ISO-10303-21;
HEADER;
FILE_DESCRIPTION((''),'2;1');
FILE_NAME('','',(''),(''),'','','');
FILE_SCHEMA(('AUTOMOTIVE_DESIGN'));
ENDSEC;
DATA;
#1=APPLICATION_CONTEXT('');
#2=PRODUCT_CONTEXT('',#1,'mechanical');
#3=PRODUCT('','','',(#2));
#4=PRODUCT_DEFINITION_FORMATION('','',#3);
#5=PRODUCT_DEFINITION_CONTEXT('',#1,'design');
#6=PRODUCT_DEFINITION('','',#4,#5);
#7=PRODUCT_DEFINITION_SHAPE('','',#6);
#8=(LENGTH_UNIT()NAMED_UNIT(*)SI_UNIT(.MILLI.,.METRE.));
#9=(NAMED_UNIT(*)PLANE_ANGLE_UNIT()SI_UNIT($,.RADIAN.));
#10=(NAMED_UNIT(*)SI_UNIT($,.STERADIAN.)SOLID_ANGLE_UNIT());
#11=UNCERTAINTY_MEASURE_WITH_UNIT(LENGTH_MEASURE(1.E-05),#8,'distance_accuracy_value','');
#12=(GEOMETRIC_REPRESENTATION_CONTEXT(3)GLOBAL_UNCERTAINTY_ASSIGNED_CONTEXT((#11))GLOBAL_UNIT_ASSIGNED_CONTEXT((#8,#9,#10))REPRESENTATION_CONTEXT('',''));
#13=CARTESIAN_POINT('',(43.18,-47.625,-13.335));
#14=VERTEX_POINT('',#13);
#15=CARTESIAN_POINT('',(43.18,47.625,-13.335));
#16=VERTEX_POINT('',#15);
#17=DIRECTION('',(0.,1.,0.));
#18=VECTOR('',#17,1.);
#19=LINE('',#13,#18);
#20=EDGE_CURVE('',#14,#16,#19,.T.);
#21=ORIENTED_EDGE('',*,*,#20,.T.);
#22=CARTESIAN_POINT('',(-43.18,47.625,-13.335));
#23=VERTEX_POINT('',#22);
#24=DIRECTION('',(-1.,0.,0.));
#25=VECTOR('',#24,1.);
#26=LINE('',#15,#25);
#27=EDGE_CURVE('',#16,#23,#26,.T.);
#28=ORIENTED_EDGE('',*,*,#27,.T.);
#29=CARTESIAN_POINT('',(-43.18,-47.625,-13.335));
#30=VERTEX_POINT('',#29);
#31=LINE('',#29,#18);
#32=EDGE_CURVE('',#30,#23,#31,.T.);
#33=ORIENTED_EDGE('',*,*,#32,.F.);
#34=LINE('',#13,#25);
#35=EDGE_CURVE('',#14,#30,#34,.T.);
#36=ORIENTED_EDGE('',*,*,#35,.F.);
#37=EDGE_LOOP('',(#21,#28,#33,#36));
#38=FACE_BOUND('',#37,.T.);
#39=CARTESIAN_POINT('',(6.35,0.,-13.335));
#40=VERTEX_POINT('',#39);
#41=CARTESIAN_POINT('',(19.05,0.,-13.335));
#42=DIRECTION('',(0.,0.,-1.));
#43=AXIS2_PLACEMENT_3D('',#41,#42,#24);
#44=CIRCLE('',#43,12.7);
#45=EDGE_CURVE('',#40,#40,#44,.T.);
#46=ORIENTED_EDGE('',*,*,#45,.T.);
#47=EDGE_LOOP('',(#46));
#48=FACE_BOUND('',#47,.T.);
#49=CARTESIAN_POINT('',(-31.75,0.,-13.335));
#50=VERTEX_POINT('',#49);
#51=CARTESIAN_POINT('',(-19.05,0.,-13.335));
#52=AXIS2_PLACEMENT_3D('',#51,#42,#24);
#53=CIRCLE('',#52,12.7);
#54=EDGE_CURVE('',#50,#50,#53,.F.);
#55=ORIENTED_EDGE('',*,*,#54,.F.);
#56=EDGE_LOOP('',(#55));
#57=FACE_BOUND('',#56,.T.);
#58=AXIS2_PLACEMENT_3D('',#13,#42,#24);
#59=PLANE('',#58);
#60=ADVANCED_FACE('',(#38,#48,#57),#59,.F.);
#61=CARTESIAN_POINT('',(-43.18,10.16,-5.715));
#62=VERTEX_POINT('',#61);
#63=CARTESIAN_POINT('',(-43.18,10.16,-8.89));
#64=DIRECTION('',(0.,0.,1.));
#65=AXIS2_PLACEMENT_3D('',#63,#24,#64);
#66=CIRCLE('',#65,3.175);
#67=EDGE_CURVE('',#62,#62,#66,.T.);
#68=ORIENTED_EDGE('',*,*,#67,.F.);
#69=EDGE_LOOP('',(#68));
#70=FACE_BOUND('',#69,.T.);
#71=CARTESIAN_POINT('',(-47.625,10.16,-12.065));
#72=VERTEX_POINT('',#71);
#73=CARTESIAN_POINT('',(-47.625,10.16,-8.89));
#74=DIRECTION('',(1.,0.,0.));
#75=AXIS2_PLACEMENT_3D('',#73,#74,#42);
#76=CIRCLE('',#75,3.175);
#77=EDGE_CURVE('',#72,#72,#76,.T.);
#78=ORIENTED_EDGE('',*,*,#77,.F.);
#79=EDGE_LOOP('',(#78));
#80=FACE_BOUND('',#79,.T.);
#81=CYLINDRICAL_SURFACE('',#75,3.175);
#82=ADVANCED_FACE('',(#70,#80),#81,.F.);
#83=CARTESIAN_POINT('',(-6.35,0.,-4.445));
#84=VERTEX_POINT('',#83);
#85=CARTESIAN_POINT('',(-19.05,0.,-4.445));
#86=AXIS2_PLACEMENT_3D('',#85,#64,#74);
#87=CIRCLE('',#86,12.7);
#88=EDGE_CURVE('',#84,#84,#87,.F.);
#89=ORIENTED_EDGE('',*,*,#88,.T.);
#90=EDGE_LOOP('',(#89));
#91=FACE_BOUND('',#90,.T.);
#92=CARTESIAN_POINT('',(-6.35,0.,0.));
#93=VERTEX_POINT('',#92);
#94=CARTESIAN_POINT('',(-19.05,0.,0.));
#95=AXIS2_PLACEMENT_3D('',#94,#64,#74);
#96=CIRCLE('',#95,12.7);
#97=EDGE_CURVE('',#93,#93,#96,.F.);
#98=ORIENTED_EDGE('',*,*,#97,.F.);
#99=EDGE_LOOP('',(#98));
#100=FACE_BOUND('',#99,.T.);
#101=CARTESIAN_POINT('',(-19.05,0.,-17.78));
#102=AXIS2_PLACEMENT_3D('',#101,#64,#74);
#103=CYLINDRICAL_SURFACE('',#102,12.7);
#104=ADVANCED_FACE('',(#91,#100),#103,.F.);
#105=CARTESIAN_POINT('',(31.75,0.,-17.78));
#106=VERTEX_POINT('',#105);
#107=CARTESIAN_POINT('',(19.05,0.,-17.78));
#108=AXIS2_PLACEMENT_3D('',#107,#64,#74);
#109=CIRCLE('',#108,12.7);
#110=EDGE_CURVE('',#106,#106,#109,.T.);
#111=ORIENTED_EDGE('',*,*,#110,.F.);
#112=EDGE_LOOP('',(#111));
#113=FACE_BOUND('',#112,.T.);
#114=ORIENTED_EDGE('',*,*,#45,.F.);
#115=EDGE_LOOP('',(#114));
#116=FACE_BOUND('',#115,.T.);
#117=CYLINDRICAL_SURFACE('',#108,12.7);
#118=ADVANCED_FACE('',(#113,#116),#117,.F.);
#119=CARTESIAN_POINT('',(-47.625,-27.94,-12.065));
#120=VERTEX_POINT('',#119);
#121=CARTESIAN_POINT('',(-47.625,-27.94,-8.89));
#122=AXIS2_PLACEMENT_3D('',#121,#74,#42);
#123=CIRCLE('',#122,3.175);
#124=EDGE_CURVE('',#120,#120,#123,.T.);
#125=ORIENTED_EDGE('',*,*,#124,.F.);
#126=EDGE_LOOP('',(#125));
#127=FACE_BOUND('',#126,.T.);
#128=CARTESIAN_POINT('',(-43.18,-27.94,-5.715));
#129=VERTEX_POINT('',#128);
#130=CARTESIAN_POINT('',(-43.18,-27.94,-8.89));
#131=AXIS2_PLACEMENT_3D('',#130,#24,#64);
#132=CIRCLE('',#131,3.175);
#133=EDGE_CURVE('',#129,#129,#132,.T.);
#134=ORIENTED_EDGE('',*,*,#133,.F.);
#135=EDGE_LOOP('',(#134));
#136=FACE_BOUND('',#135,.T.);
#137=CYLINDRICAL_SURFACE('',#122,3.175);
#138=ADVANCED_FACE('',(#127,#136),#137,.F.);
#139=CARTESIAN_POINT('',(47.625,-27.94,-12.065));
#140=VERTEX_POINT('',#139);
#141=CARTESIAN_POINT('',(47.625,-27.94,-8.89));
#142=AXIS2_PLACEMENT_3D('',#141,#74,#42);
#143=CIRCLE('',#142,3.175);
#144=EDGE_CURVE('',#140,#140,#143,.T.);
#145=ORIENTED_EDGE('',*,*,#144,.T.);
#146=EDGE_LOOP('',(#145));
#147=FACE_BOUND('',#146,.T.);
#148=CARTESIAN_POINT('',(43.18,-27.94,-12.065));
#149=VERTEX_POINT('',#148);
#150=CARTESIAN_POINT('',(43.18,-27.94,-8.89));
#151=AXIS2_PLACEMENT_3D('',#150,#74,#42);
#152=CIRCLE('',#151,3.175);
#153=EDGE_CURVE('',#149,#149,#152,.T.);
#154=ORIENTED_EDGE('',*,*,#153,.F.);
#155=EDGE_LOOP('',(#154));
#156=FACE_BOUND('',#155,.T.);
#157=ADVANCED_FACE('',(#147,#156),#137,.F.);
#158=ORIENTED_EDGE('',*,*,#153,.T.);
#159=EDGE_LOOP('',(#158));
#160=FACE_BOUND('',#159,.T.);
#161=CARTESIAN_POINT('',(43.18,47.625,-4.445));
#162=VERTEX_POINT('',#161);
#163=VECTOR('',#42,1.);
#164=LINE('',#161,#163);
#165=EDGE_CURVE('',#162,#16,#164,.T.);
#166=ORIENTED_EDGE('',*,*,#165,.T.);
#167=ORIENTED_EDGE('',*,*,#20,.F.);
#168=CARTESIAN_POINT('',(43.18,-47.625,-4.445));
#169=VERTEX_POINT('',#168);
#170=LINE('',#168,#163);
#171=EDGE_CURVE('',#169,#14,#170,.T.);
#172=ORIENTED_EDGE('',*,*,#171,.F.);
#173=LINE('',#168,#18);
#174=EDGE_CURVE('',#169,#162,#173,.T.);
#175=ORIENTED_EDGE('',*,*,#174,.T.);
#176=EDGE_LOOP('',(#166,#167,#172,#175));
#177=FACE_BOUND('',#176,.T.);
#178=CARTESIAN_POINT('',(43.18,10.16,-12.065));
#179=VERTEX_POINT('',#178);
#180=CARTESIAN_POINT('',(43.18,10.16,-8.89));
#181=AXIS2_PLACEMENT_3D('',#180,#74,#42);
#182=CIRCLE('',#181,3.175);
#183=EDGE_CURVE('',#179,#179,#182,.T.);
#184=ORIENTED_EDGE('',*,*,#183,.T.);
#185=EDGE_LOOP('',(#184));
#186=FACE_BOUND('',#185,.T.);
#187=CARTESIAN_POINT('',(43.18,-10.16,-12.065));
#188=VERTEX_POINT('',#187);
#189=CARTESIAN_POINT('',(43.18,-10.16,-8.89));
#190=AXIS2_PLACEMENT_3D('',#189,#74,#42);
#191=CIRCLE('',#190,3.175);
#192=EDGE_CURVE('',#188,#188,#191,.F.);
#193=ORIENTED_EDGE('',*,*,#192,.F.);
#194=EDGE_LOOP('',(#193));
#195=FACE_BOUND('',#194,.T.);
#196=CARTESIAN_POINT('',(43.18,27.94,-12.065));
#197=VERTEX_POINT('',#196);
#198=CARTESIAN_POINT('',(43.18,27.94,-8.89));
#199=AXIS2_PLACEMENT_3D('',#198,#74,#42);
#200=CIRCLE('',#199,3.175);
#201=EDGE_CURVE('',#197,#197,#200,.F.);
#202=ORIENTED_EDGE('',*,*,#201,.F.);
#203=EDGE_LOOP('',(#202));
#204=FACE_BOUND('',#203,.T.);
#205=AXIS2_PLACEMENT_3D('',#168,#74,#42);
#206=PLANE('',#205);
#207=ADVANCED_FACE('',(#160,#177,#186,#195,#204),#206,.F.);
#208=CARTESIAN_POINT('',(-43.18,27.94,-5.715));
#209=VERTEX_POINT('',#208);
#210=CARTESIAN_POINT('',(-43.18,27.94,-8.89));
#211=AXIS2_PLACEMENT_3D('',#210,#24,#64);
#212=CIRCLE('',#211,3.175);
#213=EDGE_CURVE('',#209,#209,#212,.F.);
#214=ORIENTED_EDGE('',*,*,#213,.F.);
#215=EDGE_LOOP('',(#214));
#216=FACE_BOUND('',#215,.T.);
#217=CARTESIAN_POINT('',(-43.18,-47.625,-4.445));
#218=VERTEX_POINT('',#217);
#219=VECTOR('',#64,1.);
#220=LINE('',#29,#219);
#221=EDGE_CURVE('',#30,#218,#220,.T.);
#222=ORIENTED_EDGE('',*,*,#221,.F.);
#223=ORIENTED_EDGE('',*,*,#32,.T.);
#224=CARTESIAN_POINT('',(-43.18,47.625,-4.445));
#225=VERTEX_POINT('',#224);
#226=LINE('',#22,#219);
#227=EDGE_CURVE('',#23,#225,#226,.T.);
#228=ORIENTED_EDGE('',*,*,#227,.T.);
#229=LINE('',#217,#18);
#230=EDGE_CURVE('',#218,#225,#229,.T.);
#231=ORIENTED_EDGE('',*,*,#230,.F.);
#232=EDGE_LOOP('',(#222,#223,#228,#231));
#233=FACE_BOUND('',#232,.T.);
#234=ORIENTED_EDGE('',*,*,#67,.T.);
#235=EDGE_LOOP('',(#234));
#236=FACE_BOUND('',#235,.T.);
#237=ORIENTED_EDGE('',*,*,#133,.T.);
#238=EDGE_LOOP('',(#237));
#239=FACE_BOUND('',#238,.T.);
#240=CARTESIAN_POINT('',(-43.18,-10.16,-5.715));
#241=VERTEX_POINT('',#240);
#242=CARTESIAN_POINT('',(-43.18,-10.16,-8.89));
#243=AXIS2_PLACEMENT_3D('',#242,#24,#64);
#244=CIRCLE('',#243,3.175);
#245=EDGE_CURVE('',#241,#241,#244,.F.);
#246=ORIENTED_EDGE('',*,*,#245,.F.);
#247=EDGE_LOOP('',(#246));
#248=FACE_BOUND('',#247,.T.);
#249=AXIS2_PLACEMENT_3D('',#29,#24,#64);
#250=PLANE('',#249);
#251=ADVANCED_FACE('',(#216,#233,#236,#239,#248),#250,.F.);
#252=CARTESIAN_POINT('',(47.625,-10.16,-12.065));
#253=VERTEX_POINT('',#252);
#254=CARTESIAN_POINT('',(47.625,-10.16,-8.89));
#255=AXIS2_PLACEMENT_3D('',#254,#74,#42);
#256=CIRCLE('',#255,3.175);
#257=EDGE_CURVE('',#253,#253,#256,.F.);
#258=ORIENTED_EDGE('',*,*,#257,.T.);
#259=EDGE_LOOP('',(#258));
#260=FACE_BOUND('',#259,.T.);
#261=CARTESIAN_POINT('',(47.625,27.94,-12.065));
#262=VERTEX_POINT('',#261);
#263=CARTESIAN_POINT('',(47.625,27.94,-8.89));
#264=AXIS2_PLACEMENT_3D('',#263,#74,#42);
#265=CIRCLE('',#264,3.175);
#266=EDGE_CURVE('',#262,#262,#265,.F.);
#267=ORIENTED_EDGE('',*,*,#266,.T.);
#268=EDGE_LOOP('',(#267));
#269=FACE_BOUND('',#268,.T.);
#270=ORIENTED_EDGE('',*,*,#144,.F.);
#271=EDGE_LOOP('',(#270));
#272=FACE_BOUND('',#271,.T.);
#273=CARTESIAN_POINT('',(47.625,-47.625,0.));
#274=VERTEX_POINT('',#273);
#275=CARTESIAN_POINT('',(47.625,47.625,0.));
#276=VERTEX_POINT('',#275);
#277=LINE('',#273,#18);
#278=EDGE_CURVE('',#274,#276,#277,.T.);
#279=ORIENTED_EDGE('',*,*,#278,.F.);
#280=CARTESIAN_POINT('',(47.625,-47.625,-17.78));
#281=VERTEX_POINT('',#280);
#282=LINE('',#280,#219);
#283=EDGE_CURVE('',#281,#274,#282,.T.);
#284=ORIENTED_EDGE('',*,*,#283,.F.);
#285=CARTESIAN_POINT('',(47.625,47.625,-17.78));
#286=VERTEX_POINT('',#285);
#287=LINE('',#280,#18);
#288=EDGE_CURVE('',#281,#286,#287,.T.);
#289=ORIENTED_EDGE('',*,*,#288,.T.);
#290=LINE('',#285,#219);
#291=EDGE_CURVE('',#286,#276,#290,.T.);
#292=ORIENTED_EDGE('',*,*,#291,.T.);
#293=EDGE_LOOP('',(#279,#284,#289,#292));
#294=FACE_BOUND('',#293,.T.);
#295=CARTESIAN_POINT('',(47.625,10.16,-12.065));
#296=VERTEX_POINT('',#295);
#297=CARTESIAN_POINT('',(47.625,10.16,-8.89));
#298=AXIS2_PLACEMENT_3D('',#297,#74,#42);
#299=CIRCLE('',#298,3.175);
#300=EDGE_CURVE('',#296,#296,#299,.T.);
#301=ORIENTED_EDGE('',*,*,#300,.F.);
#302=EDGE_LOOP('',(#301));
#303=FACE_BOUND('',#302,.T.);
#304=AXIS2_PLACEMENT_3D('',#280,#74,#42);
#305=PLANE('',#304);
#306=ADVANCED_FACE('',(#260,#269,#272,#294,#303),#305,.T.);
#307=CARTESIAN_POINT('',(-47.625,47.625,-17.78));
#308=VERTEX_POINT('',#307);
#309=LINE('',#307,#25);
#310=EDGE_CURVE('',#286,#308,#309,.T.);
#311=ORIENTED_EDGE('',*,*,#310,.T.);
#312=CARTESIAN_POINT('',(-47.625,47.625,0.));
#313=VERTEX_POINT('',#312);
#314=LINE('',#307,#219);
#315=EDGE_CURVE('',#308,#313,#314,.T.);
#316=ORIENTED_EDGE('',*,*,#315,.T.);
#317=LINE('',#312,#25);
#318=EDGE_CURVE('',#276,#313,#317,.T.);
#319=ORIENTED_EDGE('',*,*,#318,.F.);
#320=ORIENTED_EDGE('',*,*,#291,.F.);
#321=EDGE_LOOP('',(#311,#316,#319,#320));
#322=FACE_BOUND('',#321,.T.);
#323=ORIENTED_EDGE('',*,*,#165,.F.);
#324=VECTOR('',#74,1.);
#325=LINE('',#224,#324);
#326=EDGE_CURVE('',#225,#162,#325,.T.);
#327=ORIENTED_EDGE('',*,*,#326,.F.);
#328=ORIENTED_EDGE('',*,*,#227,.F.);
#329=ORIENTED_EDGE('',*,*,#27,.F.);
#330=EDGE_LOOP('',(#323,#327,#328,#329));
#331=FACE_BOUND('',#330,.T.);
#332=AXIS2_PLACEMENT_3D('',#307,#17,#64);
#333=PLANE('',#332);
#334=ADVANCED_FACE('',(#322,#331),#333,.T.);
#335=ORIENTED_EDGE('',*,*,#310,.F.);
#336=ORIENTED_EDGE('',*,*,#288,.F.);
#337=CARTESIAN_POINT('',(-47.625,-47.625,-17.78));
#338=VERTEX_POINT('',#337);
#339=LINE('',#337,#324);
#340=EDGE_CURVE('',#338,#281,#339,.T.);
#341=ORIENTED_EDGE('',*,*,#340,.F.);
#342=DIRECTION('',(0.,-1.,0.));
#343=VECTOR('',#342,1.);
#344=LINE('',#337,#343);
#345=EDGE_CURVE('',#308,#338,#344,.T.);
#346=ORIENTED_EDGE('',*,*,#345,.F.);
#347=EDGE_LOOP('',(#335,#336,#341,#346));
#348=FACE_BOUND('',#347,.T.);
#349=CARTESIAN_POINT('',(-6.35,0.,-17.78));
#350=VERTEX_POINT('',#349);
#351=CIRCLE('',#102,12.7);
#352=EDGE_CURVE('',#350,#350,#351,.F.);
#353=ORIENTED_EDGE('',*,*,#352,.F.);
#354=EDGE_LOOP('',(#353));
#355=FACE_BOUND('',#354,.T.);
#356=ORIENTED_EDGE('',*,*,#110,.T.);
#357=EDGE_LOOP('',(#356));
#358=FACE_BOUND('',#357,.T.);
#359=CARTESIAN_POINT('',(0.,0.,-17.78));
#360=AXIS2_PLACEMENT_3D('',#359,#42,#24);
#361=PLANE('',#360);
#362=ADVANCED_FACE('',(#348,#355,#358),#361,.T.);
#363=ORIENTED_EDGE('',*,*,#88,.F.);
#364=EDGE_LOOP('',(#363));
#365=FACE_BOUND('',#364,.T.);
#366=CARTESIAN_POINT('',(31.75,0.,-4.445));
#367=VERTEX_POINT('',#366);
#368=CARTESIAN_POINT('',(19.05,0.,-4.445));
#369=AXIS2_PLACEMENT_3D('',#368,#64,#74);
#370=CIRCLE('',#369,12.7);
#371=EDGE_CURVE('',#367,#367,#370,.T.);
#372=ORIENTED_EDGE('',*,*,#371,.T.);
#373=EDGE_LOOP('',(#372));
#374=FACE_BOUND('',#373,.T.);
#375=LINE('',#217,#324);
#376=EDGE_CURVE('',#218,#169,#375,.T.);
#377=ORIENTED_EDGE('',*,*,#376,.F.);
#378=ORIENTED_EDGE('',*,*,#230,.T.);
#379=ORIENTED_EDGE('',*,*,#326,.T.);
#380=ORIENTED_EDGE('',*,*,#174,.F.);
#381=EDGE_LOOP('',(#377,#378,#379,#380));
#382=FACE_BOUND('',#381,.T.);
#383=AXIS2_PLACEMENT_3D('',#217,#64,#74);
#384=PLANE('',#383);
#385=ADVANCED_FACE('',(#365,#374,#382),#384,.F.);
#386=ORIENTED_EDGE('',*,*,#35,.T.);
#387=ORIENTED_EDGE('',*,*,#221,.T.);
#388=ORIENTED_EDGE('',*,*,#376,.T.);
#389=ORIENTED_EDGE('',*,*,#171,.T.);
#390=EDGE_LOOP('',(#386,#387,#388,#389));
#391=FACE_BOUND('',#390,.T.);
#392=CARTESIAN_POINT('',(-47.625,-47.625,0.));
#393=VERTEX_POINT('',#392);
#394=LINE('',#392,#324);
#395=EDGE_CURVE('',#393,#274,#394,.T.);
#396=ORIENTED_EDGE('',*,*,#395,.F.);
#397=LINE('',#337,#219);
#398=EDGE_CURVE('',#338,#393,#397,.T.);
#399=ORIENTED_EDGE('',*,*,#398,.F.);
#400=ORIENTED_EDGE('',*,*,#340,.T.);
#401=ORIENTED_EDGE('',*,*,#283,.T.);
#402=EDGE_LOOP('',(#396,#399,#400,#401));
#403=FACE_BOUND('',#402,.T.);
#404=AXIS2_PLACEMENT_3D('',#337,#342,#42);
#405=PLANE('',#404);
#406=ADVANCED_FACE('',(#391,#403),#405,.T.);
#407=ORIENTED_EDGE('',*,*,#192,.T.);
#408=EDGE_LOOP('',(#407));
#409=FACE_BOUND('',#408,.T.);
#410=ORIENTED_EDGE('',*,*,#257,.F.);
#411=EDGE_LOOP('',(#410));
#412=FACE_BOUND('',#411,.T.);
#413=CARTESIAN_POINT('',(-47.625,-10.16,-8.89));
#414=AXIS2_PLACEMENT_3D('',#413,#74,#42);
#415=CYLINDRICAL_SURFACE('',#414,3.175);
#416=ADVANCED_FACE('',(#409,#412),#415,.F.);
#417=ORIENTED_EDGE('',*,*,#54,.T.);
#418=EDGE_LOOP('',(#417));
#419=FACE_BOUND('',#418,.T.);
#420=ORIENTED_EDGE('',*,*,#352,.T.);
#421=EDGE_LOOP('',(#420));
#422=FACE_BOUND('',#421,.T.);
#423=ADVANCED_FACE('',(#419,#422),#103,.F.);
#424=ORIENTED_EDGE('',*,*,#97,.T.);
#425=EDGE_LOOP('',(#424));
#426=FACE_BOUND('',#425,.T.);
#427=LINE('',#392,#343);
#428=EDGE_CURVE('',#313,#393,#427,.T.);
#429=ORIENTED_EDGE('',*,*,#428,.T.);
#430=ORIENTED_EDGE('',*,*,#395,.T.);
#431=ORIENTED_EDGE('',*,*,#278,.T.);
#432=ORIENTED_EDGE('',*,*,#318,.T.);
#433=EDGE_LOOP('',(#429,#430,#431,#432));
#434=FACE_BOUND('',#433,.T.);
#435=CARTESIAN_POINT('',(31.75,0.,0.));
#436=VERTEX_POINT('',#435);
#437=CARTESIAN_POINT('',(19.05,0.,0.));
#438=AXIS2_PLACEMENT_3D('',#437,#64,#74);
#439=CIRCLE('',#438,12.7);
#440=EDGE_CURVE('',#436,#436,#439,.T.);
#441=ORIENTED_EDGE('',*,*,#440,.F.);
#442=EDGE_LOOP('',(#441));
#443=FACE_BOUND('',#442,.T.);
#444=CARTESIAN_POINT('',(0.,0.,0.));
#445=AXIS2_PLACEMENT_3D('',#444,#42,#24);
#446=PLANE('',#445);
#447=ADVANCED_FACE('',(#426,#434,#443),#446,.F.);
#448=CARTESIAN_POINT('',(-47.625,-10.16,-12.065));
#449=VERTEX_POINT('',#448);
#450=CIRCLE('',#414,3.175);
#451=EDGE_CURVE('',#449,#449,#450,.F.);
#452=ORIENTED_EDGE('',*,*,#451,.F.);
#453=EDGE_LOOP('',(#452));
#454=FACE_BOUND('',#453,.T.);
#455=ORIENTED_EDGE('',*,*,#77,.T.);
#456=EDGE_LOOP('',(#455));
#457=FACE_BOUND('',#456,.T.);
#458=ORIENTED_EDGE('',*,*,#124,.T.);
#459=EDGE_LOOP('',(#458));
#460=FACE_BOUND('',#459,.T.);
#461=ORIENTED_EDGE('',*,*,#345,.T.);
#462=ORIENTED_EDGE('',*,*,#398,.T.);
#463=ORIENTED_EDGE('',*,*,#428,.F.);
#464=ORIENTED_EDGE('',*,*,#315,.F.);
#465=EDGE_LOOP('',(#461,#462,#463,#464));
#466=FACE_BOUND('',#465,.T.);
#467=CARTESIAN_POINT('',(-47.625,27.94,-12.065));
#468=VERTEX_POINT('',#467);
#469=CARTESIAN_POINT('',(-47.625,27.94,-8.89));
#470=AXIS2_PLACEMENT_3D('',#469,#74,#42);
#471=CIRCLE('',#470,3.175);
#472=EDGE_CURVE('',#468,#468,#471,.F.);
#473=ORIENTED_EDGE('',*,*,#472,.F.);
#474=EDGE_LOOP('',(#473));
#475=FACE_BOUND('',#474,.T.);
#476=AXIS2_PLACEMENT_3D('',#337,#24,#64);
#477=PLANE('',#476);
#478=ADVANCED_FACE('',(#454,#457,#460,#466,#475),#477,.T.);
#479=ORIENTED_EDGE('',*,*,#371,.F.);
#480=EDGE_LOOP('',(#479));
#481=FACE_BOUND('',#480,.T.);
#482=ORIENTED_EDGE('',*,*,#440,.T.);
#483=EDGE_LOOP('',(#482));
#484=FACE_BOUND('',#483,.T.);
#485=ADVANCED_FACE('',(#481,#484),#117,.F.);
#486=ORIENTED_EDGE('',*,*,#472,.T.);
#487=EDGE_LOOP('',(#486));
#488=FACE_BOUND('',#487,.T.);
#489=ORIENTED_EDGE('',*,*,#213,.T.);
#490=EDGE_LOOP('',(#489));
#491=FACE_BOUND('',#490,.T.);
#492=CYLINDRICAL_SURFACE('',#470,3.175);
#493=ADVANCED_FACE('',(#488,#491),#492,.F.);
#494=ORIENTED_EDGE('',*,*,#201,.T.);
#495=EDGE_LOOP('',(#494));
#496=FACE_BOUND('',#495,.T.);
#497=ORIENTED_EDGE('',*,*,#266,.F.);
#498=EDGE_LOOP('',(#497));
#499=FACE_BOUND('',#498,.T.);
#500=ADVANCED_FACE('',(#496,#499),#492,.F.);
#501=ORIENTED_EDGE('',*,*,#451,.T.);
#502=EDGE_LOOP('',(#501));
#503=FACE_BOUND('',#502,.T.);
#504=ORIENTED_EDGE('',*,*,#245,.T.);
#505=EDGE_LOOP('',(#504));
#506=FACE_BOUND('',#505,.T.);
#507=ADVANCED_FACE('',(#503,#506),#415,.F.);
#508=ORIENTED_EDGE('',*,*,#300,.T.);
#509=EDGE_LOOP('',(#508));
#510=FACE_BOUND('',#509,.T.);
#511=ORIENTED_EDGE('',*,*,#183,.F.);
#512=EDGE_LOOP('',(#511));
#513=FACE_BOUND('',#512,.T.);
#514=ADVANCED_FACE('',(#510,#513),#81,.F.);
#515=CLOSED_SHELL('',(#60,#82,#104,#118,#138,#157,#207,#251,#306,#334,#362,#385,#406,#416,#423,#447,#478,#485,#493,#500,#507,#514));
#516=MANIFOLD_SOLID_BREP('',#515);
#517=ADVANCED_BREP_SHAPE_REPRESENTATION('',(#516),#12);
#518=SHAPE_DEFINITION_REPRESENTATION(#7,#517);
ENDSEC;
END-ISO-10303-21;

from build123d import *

# Parameters (mm, degrees)
SKETCH1_W           = 95.25
SKETCH1_H           = 95.25
BOSS_EXTRUDE1_DEPTH = 17.78
SKETCH2_W           = 86.36
SKETCH2_H           = 8.89
CUT_EXTRUDE1_DEPTH  = 108.966807515
SKETCH3_R           = 12.7
CUT_EXTRUDE2_DEPTH  = 70.659239516
SKETCH4_R           = 3.175
CUT_EXTRUDE3_DEPTH  = 108.966807515


with BuildPart() as part:
    # Sketch1 → Boss-Extrude1 (new body)
    with BuildSketch(Plane.XY):
        Rectangle(SKETCH1_W, SKETCH1_H)
    extrude(amount=-BOSS_EXTRUDE1_DEPTH)

    # Sketch2 → Cut-Extrude1 (cut, through all)
    with BuildSketch(Plane(origin=(0, 47.625, 0), x_dir=(1, 0, 0), z_dir=(0, 1, 0))):
        with Locations((0, 8.89)):
            Rectangle(SKETCH2_W, SKETCH2_H)
    extrude(amount=-CUT_EXTRUDE1_DEPTH, mode=Mode.SUBTRACT)

    # Sketch3 → Cut-Extrude2 (cut, through all)
    with BuildSketch(Plane.XY):
        with Locations((19.05, 0)):
            Circle(SKETCH3_R)
        with Locations((-19.05, 0)):
            Circle(SKETCH3_R)
    extrude(amount=-CUT_EXTRUDE2_DEPTH, mode=Mode.SUBTRACT)

    # Sketch4 → Cut-Extrude3 (cut, through all)
    with BuildSketch(Plane(origin=(47.625, 0, 0), x_dir=(0, 0, -1), z_dir=(1, 0, 0))):
        with Locations((8.89, 10.16)):
            Circle(SKETCH4_R)
        with Locations((8.89, -10.16)):
            Circle(SKETCH4_R)
        with Locations((8.89, -27.94)):
            Circle(SKETCH4_R)
        with Locations((8.89, 27.94)):
            Circle(SKETCH4_R)
    extrude(amount=-CUT_EXTRUDE3_DEPTH, mode=Mode.SUBTRACT)


solid = part.part
